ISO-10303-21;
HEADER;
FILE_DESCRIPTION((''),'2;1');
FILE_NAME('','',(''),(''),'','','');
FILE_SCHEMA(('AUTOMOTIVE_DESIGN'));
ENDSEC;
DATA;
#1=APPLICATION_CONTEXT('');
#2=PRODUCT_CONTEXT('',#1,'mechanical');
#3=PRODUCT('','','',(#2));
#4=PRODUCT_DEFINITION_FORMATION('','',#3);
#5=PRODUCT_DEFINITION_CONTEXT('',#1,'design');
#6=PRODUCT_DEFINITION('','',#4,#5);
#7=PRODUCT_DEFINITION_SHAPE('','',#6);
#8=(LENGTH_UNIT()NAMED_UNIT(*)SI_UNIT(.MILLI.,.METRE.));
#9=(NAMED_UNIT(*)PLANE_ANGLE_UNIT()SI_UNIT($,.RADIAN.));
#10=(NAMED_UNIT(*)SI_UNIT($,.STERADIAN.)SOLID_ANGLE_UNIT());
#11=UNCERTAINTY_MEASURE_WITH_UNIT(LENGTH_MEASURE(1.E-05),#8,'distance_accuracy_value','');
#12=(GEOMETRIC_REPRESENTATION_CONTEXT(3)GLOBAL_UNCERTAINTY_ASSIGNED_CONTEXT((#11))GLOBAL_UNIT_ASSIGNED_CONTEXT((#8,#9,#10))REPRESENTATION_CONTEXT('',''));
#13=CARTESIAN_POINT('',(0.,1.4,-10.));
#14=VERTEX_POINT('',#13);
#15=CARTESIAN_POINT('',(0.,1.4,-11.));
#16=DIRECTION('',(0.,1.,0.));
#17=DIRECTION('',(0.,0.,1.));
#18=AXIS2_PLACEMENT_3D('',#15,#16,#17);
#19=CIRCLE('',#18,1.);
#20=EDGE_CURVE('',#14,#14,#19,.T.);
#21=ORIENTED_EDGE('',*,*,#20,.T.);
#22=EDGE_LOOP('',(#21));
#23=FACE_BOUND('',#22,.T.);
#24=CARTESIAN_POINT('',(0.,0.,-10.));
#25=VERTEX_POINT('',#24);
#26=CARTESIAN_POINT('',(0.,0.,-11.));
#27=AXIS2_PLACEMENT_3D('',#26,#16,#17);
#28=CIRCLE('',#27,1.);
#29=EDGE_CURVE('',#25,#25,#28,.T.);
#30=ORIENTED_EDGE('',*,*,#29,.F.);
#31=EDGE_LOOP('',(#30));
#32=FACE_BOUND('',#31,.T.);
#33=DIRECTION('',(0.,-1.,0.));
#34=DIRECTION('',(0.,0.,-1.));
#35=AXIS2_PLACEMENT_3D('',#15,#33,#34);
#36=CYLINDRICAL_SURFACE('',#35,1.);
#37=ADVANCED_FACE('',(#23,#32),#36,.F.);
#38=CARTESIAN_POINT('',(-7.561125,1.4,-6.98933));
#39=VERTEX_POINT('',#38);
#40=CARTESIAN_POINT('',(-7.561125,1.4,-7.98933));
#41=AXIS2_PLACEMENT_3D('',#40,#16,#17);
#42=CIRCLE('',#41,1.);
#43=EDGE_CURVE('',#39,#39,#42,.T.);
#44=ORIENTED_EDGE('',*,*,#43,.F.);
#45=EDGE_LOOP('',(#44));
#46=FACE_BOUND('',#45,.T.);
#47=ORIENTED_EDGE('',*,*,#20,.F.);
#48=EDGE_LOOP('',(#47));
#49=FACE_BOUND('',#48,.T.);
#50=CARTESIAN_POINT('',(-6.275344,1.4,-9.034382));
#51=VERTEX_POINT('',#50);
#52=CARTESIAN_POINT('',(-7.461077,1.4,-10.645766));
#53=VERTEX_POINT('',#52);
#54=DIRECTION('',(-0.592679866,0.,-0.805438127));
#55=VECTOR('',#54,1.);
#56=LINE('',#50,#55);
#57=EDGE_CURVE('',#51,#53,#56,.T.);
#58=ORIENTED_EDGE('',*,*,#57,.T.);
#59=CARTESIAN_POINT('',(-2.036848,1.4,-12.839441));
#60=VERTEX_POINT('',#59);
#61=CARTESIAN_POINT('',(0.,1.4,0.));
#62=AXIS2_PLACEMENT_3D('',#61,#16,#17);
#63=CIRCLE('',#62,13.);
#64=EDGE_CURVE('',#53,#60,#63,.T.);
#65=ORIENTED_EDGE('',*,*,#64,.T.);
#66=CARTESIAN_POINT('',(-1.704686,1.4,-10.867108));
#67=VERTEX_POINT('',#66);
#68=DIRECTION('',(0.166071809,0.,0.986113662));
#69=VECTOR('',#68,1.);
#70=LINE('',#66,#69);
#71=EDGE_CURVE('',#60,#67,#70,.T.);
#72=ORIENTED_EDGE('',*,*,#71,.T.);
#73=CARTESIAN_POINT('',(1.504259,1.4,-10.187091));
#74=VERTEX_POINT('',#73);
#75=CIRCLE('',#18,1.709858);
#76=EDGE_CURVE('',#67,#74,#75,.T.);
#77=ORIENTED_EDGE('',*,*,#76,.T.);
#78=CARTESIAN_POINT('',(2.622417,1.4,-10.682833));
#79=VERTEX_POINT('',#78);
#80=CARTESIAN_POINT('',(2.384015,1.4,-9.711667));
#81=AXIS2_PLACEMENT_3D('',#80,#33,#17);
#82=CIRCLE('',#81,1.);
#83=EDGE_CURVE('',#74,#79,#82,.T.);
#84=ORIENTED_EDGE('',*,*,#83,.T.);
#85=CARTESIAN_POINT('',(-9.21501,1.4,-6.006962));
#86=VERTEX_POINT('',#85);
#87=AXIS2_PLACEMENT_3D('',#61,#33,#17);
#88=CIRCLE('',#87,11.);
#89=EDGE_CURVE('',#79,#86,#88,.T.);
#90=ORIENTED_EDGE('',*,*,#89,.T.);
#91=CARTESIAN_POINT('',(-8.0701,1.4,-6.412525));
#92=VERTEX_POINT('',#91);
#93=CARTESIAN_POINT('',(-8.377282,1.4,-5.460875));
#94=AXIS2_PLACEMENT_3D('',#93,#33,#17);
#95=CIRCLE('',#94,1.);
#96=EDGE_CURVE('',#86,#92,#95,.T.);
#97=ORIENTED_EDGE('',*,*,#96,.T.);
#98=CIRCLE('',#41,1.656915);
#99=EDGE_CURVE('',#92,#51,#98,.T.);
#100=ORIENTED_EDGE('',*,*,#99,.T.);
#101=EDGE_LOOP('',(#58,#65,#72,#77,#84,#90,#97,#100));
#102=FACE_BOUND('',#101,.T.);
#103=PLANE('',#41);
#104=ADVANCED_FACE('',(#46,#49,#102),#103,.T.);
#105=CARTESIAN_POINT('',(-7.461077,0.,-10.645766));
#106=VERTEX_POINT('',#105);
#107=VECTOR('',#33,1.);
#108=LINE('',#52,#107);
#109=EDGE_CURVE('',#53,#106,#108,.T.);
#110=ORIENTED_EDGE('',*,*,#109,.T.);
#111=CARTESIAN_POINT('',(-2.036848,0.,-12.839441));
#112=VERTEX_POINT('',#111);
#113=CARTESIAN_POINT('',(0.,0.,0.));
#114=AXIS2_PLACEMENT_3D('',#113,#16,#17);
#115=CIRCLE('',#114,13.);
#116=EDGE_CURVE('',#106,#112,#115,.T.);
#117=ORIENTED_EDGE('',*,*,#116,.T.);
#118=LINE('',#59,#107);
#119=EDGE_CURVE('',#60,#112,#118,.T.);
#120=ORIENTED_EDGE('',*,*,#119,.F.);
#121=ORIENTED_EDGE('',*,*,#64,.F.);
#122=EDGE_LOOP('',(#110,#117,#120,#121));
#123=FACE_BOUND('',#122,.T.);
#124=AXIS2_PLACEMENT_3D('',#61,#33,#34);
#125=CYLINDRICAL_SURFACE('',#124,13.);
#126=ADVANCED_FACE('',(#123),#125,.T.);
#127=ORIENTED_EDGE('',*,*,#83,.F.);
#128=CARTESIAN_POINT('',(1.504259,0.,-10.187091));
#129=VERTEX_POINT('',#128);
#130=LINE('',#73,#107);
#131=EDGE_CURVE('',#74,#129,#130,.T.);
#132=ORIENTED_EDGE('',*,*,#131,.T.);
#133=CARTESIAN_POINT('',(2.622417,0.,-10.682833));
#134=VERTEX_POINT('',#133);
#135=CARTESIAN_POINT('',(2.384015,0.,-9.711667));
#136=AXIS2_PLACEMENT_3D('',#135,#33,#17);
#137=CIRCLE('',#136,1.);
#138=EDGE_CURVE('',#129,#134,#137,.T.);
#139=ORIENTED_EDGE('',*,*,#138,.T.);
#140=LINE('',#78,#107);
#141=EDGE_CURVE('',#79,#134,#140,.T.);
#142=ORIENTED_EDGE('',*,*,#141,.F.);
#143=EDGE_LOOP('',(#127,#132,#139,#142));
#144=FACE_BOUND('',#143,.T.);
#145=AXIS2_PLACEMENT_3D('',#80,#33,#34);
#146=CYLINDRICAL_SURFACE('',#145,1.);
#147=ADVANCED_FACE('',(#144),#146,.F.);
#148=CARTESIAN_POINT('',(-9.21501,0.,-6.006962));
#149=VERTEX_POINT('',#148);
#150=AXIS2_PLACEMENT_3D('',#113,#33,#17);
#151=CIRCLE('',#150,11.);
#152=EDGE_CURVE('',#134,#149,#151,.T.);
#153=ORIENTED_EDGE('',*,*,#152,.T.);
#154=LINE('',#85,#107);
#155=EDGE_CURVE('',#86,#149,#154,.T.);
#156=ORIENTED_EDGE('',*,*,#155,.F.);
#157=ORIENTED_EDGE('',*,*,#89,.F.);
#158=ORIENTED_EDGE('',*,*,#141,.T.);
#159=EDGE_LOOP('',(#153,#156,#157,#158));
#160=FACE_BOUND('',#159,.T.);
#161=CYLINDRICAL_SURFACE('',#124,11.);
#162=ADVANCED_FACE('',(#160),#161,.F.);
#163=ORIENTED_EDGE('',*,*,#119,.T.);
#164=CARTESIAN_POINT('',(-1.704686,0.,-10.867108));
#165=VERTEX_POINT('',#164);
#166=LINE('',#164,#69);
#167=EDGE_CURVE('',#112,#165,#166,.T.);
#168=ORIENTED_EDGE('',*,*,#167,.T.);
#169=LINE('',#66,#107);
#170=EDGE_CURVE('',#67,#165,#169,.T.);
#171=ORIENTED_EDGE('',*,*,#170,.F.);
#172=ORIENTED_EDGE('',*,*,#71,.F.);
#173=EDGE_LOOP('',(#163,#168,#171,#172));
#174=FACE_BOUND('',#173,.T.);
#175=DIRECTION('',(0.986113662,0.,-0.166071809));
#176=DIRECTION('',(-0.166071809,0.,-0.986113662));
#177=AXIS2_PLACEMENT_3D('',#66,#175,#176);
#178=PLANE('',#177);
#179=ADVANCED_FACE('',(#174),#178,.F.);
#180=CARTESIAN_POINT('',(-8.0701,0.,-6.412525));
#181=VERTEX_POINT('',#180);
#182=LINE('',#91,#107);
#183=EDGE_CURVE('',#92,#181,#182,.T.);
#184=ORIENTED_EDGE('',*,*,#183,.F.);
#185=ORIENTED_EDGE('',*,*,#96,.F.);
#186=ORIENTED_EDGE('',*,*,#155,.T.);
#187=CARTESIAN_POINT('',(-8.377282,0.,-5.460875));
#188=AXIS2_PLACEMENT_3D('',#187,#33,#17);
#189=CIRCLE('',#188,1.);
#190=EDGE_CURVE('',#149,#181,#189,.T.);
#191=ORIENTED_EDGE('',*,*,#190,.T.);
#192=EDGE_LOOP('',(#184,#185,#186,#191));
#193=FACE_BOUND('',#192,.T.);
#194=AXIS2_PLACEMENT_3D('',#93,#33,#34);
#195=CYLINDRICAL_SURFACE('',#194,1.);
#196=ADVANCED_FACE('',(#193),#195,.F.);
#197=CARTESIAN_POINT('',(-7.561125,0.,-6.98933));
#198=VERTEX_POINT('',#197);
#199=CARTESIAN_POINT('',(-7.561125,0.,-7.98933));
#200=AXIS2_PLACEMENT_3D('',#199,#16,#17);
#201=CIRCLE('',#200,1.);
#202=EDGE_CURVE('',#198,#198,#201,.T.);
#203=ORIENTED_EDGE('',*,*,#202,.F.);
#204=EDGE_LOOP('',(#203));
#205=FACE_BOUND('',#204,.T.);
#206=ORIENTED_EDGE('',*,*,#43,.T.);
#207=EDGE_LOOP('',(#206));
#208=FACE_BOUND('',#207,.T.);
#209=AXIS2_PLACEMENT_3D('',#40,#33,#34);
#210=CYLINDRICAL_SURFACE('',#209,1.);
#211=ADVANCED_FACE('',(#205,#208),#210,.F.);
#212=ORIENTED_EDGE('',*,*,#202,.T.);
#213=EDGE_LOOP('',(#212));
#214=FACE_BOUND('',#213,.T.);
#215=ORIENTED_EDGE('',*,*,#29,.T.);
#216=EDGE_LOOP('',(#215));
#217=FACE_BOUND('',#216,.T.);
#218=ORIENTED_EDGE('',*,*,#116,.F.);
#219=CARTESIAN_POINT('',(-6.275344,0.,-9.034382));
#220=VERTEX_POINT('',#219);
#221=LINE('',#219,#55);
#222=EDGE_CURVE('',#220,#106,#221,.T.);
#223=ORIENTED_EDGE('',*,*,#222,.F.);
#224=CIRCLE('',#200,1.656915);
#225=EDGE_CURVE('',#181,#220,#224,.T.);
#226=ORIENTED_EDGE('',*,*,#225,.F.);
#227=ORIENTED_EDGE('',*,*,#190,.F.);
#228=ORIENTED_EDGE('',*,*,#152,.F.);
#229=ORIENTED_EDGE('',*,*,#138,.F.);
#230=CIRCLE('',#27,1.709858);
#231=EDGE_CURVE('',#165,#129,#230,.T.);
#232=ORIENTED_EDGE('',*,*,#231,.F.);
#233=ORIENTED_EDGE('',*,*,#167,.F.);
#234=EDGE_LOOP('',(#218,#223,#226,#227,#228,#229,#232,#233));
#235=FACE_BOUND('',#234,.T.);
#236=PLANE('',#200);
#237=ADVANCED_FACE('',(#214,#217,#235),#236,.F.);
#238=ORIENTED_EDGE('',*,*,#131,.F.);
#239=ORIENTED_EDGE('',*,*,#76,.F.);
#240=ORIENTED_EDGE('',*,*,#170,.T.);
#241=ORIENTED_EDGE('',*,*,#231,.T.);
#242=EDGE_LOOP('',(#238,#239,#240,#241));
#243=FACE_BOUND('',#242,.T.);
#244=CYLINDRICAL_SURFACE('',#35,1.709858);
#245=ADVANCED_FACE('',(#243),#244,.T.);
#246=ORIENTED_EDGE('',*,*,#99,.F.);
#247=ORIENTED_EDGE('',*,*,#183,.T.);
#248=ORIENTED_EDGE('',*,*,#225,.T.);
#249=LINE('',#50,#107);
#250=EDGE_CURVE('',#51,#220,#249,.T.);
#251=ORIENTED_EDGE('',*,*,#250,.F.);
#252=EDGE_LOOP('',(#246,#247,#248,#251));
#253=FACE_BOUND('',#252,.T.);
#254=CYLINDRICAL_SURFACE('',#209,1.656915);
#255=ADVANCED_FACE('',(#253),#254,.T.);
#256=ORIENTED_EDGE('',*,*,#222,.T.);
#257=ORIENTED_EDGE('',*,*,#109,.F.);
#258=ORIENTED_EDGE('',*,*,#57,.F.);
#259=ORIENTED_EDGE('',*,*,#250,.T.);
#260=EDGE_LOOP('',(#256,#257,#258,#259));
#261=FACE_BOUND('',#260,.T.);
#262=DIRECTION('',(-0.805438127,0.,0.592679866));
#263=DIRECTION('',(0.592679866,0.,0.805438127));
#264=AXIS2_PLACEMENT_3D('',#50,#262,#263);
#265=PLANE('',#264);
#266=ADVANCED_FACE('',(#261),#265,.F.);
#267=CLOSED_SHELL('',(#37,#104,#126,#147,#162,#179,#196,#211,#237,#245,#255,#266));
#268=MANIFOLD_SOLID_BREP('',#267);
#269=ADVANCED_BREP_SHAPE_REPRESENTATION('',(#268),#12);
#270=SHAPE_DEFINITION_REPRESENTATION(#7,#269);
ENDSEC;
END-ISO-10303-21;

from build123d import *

# Parameters (mm, degrees)
SKETCH_1_R      = 1
EXTRUDE_1_DEPTH = 1.4


with BuildPart() as part:
    # 草图1 → 拉伸1 (new body)
    with BuildSketch(Plane(origin=(0, 0, 0), x_dir=(1, 0, 0), z_dir=(0, 1, 0))):
        with BuildLine():
            Line((-1.704686201, 10.867108399), (-2.036847592, 12.839441261))
            ThreePointArc((-2.036847592, 12.839441261), (4.873981347, -12.051734557), (-7.461076693, 10.64576604))
            Line((-7.461076693, 10.64576604), (-6.275343529, 9.034382303))
            ThreePointArc((-6.275343529, 9.034382303), (-6.193868184, 7.053393202), (-8.070099598, 6.412525252))
            ThreePointArc((-8.070099598, 6.412525252), (-8.711183181, 6.403482512), (-9.215009926, 6.006961967))
            ThreePointArc((-9.215009926, 6.006961967), (4.041226825, -10.230761739), (2.62241687, 10.682833414))
            ThreePointArc((2.62241687, 10.682833414), (1.978707932, 10.625847197), (1.504258862, 10.187091336))
            ThreePointArc((1.504258862, 10.187091336), (-0.354469436, 9.32728764), (-1.704686201, 10.867108399))
        make_face()
        with Locations(Location((0, 11, 0), (0, 0, 270))):
            Circle(SKETCH_1_R, mode=Mode.SUBTRACT)
        with Locations(Location((-7.561124809, 7.98932986, 0), (0, 0, 270))):
            Circle(SKETCH_1_R, mode=Mode.SUBTRACT)
    extrude(amount=EXTRUDE_1_DEPTH)


solid = part.part
